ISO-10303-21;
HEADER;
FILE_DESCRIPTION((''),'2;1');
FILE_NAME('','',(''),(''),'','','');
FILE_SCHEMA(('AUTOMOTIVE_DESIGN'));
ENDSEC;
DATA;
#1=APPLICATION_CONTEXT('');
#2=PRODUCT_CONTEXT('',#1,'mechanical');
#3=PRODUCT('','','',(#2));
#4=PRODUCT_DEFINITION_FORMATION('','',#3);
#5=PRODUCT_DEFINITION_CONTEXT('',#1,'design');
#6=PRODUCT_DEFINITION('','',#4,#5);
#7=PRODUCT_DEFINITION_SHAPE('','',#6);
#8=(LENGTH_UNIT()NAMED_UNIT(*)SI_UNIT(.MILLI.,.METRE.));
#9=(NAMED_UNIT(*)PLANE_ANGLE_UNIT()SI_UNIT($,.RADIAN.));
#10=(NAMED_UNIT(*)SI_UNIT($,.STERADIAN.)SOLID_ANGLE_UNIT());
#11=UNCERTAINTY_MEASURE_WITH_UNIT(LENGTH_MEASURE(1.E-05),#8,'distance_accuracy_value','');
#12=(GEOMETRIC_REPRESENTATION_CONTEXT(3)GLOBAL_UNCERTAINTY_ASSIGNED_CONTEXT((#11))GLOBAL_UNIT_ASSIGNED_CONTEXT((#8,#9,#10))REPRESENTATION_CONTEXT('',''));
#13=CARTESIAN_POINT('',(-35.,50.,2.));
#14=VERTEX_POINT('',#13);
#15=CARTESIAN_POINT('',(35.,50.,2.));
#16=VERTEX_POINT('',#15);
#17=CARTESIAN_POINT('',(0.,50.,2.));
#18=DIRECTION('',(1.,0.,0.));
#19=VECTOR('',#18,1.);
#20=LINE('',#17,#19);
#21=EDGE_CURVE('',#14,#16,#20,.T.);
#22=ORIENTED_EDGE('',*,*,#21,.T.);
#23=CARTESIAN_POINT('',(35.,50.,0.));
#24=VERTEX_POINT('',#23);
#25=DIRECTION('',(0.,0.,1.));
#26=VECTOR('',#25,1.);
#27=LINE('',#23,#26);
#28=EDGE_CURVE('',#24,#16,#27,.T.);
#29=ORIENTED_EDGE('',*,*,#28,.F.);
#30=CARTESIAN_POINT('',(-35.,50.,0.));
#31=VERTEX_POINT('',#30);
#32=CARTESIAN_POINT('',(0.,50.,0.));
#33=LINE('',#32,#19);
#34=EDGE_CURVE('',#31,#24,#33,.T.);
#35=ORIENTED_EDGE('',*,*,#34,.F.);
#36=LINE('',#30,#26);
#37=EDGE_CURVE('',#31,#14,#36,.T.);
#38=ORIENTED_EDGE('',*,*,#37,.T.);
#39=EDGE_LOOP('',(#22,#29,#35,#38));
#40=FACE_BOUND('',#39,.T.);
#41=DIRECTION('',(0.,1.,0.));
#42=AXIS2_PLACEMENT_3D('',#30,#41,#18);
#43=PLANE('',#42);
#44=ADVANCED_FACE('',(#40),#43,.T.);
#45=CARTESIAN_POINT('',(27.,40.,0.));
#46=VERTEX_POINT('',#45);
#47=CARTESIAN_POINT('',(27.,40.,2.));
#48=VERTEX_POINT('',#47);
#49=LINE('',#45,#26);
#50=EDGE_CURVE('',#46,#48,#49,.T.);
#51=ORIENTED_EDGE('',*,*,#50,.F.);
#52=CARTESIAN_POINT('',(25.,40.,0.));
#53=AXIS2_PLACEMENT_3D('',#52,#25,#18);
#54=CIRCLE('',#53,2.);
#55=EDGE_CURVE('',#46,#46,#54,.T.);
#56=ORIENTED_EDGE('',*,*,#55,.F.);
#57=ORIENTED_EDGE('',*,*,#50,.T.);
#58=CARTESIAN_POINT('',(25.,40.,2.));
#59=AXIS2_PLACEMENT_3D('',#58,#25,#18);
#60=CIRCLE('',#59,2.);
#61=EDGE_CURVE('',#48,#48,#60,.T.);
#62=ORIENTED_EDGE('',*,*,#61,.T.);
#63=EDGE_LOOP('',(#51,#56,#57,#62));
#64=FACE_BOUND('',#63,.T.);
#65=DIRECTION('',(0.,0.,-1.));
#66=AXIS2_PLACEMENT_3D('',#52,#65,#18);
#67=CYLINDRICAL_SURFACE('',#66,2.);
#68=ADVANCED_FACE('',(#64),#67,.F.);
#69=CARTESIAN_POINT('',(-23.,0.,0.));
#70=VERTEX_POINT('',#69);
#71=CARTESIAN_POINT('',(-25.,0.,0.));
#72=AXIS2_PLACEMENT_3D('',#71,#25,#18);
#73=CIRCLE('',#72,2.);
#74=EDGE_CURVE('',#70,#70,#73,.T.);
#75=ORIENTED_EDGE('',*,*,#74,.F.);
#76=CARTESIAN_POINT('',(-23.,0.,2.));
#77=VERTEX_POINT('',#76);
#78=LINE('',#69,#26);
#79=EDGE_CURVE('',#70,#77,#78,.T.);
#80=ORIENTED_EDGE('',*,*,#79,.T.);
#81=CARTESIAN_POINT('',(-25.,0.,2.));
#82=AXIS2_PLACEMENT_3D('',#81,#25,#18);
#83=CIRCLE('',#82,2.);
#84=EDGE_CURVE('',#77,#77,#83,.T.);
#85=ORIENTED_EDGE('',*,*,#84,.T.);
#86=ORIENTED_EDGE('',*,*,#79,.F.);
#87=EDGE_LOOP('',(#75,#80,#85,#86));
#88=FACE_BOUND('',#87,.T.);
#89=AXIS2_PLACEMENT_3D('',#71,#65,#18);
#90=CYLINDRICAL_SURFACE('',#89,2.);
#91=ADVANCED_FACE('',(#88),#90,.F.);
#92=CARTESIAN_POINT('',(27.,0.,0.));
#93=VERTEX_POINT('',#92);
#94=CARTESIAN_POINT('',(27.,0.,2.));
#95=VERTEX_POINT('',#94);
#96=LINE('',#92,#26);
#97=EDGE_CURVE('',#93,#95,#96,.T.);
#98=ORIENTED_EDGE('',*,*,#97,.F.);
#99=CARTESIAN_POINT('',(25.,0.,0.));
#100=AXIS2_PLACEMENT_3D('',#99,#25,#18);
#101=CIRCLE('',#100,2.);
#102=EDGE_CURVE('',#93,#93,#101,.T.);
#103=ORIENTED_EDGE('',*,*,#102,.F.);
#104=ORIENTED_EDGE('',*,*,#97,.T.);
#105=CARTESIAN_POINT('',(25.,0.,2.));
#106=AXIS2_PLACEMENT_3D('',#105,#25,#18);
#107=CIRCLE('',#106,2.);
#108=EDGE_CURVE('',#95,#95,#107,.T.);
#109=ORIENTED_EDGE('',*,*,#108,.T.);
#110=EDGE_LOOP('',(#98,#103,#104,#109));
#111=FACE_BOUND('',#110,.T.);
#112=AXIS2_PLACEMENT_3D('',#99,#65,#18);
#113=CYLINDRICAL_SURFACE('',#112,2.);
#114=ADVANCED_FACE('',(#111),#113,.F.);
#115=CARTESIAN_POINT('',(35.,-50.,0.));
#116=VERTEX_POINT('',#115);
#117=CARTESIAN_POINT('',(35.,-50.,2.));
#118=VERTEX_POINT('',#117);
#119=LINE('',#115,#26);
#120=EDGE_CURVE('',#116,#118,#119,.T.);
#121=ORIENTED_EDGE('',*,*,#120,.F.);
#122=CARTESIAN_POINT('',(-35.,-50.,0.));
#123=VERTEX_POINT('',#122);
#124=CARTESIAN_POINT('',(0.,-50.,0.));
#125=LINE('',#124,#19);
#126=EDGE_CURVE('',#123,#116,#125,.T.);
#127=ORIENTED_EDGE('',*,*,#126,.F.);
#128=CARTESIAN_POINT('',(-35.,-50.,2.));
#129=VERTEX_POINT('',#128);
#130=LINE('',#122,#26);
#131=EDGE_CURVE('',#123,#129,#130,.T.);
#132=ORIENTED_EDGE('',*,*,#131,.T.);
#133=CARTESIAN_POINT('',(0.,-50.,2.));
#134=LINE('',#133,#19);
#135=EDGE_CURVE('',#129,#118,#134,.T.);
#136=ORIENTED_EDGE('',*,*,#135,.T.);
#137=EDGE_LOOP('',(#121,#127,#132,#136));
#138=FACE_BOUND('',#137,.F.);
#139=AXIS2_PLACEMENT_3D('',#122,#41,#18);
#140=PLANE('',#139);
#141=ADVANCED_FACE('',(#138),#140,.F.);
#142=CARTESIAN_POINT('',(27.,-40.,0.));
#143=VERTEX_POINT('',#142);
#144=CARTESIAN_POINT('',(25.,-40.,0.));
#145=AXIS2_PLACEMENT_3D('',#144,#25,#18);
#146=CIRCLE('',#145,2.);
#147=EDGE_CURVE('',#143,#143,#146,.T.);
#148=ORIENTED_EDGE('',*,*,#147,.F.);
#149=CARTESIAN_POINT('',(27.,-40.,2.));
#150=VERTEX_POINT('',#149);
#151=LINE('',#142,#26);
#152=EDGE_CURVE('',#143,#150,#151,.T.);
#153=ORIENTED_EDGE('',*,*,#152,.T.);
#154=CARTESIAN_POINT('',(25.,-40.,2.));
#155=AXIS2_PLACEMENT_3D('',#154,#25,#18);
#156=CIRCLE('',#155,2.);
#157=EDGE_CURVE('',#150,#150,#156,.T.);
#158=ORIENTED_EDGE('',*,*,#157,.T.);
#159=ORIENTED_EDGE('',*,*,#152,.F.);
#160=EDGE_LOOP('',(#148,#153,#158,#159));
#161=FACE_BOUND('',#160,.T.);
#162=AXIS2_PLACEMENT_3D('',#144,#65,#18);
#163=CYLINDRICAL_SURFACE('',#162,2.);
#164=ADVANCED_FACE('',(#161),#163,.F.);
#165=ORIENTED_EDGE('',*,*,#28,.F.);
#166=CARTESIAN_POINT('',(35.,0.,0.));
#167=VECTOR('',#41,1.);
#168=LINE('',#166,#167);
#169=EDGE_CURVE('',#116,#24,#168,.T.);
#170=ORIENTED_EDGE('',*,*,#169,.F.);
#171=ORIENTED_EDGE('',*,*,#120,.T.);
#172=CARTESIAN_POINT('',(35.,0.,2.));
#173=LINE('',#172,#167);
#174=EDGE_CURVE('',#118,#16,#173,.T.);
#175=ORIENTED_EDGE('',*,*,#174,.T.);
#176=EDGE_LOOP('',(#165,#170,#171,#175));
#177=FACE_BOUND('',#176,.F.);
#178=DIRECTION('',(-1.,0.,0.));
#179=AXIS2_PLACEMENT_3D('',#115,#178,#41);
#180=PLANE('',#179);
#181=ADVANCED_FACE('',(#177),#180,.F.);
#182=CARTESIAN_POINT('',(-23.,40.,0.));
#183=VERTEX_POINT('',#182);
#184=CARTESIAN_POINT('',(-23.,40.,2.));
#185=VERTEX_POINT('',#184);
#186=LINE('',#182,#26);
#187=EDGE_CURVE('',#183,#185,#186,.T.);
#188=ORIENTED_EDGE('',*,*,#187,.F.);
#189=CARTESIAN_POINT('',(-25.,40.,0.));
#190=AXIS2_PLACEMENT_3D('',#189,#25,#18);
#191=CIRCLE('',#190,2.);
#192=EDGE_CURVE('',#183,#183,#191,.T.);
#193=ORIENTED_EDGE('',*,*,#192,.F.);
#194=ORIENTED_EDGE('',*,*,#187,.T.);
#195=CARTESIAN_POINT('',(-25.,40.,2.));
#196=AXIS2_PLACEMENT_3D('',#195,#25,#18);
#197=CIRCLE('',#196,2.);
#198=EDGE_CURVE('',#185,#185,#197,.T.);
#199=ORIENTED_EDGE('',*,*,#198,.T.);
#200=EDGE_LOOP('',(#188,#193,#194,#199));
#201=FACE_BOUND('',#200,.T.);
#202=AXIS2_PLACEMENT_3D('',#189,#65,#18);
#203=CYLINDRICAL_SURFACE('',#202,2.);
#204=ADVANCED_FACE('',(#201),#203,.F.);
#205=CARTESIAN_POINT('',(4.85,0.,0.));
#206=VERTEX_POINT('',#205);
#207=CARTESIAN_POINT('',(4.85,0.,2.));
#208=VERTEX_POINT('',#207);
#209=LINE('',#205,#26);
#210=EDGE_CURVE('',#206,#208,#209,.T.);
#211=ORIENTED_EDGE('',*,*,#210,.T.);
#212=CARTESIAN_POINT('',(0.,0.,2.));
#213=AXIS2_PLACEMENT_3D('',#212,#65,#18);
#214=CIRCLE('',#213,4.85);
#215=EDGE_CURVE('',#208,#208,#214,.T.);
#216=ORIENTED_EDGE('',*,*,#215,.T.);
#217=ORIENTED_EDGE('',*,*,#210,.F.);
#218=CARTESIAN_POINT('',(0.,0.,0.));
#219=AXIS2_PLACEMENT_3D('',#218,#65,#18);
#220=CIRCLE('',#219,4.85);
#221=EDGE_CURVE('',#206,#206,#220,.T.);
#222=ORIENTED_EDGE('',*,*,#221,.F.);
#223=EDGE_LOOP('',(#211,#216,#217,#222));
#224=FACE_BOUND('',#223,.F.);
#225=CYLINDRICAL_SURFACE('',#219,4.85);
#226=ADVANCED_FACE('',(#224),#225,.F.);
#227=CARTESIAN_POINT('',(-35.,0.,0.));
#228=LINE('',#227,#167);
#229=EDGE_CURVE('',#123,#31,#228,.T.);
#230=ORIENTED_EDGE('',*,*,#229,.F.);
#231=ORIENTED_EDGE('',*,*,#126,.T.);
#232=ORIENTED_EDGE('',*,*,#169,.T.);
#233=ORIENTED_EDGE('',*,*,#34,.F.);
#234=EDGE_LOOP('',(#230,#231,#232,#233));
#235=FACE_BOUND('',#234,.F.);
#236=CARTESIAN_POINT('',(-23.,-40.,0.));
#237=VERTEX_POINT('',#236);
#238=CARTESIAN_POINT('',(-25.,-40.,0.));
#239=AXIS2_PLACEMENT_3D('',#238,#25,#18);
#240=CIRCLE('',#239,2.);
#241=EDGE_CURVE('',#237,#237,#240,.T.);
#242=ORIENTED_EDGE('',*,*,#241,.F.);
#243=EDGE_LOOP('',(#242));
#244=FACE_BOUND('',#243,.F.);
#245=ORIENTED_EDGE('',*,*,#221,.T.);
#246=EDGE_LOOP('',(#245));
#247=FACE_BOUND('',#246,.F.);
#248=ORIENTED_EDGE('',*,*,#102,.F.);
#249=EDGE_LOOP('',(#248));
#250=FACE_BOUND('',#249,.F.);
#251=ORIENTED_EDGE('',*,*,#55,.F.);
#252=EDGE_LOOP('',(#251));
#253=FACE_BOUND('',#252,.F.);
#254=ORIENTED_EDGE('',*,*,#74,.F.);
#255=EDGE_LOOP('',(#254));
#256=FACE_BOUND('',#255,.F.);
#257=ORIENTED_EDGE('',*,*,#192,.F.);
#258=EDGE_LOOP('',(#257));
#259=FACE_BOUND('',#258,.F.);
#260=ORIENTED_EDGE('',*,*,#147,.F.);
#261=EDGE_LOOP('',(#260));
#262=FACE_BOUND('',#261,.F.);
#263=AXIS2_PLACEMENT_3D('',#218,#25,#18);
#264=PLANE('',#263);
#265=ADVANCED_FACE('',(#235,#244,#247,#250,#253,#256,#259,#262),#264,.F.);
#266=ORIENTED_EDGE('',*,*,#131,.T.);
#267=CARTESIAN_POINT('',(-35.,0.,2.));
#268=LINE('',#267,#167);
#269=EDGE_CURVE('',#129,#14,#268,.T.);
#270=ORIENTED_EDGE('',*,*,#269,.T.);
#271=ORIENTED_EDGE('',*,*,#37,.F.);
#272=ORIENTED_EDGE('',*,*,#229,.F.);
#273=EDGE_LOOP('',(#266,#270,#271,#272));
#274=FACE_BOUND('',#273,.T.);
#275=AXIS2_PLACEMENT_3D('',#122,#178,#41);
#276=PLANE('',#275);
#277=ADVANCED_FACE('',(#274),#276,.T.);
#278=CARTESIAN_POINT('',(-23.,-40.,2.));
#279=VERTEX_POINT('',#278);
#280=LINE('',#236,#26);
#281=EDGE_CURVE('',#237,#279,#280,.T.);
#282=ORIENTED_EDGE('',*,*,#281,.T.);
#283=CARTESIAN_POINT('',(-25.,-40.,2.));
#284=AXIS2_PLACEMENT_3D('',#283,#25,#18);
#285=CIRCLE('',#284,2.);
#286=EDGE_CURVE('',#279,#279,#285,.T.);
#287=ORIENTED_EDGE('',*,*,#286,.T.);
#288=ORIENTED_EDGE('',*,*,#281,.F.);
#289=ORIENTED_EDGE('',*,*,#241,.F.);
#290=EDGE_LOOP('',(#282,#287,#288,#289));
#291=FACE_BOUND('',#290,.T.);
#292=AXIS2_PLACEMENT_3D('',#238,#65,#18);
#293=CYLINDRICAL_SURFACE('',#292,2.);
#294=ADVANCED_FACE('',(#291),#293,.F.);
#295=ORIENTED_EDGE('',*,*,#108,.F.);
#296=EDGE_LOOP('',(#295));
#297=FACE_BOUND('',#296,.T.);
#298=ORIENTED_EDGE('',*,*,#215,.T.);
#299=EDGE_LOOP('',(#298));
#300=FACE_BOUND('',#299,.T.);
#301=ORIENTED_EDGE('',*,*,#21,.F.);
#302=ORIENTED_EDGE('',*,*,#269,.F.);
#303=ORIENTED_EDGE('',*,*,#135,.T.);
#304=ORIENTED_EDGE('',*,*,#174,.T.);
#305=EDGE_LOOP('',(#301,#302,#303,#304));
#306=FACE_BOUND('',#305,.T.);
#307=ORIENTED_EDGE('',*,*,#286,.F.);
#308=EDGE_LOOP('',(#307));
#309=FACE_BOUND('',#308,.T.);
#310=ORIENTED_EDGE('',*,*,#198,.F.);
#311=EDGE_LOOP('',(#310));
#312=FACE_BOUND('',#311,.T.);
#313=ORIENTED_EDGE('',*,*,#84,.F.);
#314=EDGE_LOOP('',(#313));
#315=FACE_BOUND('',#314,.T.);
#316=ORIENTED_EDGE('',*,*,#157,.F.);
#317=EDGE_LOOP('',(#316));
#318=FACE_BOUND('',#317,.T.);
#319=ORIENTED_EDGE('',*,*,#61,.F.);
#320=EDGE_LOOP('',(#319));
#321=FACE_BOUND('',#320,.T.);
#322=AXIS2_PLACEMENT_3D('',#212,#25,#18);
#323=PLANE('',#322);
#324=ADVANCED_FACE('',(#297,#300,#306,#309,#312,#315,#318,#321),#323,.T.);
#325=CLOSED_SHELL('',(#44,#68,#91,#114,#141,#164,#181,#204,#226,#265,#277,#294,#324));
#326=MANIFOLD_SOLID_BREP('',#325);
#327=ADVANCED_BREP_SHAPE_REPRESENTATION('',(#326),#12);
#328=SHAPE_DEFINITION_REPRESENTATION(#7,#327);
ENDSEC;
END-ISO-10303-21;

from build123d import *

# Parameters (mm, degrees)
F0_W     = 70
F0_H     = 100
F0_R     = 2
F1_DEPTH = 2


with BuildPart() as f1:
    # F0 (on Top) → F1 (new body)
    with BuildSketch(Plane.XY):
        Rectangle(F0_W, F0_H)
        with Locations((-25, -40)):
            Circle(F0_R, mode=Mode.SUBTRACT)
        with Locations((25, -40)):
            Circle(F0_R, mode=Mode.SUBTRACT)
        with Locations((-25, 0)):
            Circle(F0_R, mode=Mode.SUBTRACT)
        with Locations((-25, 40)):
            Circle(F0_R, mode=Mode.SUBTRACT)
        with BuildLine():
            ThreePointArc((-4.85, 0), (0, 4.85), (4.85, 0))
            ThreePointArc((4.85, 0), (0, -4.85), (-4.85, 0))
        make_face(mode=Mode.SUBTRACT)
        with Locations((25, 0)):
            Circle(F0_R, mode=Mode.SUBTRACT)
        with Locations((25, 40)):
            Circle(F0_R, mode=Mode.SUBTRACT)
    extrude(amount=F1_DEPTH)


solid = f1.part
